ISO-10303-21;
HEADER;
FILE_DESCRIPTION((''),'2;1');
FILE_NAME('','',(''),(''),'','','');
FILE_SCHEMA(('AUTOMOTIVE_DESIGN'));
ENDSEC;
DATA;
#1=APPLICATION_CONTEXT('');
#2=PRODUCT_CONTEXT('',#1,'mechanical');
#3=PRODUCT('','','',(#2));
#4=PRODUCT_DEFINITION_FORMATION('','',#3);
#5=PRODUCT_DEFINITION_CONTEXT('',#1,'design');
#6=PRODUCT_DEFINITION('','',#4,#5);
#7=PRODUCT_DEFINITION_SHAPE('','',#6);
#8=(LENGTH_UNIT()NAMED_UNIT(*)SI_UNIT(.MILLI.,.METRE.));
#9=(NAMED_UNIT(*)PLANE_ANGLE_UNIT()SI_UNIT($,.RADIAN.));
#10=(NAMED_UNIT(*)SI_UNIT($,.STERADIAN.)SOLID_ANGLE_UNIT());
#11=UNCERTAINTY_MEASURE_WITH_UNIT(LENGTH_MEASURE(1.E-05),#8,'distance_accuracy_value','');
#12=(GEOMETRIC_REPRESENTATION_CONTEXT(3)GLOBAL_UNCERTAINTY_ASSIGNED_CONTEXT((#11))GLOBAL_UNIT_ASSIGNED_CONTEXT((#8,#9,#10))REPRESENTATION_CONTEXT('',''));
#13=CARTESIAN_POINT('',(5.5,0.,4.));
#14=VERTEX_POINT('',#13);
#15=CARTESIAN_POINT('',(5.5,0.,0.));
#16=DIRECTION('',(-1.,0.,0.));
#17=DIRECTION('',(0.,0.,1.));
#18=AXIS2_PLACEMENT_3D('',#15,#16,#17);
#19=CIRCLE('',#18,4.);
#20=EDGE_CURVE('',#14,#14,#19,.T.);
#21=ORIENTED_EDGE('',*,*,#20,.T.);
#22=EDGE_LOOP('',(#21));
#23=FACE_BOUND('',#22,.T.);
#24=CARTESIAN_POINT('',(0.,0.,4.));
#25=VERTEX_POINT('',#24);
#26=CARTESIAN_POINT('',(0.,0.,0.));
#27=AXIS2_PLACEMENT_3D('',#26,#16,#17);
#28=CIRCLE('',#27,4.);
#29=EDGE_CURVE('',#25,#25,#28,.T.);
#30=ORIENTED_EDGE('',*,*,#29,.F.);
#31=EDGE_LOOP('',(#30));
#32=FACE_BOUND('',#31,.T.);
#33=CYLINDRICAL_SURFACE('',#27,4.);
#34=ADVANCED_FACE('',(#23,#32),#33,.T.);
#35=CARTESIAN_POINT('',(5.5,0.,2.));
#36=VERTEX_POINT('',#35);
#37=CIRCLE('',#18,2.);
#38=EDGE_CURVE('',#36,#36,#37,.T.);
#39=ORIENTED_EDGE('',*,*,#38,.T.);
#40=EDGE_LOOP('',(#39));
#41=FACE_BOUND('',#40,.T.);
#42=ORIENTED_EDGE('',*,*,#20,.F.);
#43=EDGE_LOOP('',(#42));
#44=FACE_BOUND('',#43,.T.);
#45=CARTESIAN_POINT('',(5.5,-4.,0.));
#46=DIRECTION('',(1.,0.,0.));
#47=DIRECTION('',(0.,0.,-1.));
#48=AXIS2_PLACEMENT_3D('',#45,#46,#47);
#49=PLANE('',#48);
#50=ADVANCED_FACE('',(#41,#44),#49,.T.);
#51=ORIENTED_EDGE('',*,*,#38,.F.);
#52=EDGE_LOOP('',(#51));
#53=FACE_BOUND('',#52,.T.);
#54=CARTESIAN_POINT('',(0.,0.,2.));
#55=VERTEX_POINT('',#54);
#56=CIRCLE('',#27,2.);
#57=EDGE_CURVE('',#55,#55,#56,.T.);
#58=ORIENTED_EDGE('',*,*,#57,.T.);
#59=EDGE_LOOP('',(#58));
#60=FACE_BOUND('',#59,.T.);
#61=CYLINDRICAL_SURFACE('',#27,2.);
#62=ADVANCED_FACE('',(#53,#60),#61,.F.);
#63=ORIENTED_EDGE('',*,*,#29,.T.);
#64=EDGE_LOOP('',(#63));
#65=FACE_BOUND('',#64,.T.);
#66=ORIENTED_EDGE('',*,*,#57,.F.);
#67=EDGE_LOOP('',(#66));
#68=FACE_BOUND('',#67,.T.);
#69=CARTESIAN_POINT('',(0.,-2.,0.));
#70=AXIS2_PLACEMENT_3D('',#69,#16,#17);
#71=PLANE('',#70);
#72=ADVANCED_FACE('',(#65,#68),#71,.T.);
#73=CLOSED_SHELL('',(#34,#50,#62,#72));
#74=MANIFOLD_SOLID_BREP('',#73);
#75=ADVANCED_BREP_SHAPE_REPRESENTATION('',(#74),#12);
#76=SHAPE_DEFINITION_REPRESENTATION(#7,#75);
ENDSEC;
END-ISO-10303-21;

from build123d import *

# Parameters (mm, degrees)
SKETCH1_W = 5.5
SKETCH1_H = 2


with BuildPart() as part:
    # Sketch1 → Revolve1 (revolve)
    with BuildSketch(Plane.XY):
        with Locations((2.75, -3)):
            Rectangle(SKETCH1_W, SKETCH1_H)
    revolve(axis=Axis((0, 0, 0), (1, 0, 0)))


solid = part.part
